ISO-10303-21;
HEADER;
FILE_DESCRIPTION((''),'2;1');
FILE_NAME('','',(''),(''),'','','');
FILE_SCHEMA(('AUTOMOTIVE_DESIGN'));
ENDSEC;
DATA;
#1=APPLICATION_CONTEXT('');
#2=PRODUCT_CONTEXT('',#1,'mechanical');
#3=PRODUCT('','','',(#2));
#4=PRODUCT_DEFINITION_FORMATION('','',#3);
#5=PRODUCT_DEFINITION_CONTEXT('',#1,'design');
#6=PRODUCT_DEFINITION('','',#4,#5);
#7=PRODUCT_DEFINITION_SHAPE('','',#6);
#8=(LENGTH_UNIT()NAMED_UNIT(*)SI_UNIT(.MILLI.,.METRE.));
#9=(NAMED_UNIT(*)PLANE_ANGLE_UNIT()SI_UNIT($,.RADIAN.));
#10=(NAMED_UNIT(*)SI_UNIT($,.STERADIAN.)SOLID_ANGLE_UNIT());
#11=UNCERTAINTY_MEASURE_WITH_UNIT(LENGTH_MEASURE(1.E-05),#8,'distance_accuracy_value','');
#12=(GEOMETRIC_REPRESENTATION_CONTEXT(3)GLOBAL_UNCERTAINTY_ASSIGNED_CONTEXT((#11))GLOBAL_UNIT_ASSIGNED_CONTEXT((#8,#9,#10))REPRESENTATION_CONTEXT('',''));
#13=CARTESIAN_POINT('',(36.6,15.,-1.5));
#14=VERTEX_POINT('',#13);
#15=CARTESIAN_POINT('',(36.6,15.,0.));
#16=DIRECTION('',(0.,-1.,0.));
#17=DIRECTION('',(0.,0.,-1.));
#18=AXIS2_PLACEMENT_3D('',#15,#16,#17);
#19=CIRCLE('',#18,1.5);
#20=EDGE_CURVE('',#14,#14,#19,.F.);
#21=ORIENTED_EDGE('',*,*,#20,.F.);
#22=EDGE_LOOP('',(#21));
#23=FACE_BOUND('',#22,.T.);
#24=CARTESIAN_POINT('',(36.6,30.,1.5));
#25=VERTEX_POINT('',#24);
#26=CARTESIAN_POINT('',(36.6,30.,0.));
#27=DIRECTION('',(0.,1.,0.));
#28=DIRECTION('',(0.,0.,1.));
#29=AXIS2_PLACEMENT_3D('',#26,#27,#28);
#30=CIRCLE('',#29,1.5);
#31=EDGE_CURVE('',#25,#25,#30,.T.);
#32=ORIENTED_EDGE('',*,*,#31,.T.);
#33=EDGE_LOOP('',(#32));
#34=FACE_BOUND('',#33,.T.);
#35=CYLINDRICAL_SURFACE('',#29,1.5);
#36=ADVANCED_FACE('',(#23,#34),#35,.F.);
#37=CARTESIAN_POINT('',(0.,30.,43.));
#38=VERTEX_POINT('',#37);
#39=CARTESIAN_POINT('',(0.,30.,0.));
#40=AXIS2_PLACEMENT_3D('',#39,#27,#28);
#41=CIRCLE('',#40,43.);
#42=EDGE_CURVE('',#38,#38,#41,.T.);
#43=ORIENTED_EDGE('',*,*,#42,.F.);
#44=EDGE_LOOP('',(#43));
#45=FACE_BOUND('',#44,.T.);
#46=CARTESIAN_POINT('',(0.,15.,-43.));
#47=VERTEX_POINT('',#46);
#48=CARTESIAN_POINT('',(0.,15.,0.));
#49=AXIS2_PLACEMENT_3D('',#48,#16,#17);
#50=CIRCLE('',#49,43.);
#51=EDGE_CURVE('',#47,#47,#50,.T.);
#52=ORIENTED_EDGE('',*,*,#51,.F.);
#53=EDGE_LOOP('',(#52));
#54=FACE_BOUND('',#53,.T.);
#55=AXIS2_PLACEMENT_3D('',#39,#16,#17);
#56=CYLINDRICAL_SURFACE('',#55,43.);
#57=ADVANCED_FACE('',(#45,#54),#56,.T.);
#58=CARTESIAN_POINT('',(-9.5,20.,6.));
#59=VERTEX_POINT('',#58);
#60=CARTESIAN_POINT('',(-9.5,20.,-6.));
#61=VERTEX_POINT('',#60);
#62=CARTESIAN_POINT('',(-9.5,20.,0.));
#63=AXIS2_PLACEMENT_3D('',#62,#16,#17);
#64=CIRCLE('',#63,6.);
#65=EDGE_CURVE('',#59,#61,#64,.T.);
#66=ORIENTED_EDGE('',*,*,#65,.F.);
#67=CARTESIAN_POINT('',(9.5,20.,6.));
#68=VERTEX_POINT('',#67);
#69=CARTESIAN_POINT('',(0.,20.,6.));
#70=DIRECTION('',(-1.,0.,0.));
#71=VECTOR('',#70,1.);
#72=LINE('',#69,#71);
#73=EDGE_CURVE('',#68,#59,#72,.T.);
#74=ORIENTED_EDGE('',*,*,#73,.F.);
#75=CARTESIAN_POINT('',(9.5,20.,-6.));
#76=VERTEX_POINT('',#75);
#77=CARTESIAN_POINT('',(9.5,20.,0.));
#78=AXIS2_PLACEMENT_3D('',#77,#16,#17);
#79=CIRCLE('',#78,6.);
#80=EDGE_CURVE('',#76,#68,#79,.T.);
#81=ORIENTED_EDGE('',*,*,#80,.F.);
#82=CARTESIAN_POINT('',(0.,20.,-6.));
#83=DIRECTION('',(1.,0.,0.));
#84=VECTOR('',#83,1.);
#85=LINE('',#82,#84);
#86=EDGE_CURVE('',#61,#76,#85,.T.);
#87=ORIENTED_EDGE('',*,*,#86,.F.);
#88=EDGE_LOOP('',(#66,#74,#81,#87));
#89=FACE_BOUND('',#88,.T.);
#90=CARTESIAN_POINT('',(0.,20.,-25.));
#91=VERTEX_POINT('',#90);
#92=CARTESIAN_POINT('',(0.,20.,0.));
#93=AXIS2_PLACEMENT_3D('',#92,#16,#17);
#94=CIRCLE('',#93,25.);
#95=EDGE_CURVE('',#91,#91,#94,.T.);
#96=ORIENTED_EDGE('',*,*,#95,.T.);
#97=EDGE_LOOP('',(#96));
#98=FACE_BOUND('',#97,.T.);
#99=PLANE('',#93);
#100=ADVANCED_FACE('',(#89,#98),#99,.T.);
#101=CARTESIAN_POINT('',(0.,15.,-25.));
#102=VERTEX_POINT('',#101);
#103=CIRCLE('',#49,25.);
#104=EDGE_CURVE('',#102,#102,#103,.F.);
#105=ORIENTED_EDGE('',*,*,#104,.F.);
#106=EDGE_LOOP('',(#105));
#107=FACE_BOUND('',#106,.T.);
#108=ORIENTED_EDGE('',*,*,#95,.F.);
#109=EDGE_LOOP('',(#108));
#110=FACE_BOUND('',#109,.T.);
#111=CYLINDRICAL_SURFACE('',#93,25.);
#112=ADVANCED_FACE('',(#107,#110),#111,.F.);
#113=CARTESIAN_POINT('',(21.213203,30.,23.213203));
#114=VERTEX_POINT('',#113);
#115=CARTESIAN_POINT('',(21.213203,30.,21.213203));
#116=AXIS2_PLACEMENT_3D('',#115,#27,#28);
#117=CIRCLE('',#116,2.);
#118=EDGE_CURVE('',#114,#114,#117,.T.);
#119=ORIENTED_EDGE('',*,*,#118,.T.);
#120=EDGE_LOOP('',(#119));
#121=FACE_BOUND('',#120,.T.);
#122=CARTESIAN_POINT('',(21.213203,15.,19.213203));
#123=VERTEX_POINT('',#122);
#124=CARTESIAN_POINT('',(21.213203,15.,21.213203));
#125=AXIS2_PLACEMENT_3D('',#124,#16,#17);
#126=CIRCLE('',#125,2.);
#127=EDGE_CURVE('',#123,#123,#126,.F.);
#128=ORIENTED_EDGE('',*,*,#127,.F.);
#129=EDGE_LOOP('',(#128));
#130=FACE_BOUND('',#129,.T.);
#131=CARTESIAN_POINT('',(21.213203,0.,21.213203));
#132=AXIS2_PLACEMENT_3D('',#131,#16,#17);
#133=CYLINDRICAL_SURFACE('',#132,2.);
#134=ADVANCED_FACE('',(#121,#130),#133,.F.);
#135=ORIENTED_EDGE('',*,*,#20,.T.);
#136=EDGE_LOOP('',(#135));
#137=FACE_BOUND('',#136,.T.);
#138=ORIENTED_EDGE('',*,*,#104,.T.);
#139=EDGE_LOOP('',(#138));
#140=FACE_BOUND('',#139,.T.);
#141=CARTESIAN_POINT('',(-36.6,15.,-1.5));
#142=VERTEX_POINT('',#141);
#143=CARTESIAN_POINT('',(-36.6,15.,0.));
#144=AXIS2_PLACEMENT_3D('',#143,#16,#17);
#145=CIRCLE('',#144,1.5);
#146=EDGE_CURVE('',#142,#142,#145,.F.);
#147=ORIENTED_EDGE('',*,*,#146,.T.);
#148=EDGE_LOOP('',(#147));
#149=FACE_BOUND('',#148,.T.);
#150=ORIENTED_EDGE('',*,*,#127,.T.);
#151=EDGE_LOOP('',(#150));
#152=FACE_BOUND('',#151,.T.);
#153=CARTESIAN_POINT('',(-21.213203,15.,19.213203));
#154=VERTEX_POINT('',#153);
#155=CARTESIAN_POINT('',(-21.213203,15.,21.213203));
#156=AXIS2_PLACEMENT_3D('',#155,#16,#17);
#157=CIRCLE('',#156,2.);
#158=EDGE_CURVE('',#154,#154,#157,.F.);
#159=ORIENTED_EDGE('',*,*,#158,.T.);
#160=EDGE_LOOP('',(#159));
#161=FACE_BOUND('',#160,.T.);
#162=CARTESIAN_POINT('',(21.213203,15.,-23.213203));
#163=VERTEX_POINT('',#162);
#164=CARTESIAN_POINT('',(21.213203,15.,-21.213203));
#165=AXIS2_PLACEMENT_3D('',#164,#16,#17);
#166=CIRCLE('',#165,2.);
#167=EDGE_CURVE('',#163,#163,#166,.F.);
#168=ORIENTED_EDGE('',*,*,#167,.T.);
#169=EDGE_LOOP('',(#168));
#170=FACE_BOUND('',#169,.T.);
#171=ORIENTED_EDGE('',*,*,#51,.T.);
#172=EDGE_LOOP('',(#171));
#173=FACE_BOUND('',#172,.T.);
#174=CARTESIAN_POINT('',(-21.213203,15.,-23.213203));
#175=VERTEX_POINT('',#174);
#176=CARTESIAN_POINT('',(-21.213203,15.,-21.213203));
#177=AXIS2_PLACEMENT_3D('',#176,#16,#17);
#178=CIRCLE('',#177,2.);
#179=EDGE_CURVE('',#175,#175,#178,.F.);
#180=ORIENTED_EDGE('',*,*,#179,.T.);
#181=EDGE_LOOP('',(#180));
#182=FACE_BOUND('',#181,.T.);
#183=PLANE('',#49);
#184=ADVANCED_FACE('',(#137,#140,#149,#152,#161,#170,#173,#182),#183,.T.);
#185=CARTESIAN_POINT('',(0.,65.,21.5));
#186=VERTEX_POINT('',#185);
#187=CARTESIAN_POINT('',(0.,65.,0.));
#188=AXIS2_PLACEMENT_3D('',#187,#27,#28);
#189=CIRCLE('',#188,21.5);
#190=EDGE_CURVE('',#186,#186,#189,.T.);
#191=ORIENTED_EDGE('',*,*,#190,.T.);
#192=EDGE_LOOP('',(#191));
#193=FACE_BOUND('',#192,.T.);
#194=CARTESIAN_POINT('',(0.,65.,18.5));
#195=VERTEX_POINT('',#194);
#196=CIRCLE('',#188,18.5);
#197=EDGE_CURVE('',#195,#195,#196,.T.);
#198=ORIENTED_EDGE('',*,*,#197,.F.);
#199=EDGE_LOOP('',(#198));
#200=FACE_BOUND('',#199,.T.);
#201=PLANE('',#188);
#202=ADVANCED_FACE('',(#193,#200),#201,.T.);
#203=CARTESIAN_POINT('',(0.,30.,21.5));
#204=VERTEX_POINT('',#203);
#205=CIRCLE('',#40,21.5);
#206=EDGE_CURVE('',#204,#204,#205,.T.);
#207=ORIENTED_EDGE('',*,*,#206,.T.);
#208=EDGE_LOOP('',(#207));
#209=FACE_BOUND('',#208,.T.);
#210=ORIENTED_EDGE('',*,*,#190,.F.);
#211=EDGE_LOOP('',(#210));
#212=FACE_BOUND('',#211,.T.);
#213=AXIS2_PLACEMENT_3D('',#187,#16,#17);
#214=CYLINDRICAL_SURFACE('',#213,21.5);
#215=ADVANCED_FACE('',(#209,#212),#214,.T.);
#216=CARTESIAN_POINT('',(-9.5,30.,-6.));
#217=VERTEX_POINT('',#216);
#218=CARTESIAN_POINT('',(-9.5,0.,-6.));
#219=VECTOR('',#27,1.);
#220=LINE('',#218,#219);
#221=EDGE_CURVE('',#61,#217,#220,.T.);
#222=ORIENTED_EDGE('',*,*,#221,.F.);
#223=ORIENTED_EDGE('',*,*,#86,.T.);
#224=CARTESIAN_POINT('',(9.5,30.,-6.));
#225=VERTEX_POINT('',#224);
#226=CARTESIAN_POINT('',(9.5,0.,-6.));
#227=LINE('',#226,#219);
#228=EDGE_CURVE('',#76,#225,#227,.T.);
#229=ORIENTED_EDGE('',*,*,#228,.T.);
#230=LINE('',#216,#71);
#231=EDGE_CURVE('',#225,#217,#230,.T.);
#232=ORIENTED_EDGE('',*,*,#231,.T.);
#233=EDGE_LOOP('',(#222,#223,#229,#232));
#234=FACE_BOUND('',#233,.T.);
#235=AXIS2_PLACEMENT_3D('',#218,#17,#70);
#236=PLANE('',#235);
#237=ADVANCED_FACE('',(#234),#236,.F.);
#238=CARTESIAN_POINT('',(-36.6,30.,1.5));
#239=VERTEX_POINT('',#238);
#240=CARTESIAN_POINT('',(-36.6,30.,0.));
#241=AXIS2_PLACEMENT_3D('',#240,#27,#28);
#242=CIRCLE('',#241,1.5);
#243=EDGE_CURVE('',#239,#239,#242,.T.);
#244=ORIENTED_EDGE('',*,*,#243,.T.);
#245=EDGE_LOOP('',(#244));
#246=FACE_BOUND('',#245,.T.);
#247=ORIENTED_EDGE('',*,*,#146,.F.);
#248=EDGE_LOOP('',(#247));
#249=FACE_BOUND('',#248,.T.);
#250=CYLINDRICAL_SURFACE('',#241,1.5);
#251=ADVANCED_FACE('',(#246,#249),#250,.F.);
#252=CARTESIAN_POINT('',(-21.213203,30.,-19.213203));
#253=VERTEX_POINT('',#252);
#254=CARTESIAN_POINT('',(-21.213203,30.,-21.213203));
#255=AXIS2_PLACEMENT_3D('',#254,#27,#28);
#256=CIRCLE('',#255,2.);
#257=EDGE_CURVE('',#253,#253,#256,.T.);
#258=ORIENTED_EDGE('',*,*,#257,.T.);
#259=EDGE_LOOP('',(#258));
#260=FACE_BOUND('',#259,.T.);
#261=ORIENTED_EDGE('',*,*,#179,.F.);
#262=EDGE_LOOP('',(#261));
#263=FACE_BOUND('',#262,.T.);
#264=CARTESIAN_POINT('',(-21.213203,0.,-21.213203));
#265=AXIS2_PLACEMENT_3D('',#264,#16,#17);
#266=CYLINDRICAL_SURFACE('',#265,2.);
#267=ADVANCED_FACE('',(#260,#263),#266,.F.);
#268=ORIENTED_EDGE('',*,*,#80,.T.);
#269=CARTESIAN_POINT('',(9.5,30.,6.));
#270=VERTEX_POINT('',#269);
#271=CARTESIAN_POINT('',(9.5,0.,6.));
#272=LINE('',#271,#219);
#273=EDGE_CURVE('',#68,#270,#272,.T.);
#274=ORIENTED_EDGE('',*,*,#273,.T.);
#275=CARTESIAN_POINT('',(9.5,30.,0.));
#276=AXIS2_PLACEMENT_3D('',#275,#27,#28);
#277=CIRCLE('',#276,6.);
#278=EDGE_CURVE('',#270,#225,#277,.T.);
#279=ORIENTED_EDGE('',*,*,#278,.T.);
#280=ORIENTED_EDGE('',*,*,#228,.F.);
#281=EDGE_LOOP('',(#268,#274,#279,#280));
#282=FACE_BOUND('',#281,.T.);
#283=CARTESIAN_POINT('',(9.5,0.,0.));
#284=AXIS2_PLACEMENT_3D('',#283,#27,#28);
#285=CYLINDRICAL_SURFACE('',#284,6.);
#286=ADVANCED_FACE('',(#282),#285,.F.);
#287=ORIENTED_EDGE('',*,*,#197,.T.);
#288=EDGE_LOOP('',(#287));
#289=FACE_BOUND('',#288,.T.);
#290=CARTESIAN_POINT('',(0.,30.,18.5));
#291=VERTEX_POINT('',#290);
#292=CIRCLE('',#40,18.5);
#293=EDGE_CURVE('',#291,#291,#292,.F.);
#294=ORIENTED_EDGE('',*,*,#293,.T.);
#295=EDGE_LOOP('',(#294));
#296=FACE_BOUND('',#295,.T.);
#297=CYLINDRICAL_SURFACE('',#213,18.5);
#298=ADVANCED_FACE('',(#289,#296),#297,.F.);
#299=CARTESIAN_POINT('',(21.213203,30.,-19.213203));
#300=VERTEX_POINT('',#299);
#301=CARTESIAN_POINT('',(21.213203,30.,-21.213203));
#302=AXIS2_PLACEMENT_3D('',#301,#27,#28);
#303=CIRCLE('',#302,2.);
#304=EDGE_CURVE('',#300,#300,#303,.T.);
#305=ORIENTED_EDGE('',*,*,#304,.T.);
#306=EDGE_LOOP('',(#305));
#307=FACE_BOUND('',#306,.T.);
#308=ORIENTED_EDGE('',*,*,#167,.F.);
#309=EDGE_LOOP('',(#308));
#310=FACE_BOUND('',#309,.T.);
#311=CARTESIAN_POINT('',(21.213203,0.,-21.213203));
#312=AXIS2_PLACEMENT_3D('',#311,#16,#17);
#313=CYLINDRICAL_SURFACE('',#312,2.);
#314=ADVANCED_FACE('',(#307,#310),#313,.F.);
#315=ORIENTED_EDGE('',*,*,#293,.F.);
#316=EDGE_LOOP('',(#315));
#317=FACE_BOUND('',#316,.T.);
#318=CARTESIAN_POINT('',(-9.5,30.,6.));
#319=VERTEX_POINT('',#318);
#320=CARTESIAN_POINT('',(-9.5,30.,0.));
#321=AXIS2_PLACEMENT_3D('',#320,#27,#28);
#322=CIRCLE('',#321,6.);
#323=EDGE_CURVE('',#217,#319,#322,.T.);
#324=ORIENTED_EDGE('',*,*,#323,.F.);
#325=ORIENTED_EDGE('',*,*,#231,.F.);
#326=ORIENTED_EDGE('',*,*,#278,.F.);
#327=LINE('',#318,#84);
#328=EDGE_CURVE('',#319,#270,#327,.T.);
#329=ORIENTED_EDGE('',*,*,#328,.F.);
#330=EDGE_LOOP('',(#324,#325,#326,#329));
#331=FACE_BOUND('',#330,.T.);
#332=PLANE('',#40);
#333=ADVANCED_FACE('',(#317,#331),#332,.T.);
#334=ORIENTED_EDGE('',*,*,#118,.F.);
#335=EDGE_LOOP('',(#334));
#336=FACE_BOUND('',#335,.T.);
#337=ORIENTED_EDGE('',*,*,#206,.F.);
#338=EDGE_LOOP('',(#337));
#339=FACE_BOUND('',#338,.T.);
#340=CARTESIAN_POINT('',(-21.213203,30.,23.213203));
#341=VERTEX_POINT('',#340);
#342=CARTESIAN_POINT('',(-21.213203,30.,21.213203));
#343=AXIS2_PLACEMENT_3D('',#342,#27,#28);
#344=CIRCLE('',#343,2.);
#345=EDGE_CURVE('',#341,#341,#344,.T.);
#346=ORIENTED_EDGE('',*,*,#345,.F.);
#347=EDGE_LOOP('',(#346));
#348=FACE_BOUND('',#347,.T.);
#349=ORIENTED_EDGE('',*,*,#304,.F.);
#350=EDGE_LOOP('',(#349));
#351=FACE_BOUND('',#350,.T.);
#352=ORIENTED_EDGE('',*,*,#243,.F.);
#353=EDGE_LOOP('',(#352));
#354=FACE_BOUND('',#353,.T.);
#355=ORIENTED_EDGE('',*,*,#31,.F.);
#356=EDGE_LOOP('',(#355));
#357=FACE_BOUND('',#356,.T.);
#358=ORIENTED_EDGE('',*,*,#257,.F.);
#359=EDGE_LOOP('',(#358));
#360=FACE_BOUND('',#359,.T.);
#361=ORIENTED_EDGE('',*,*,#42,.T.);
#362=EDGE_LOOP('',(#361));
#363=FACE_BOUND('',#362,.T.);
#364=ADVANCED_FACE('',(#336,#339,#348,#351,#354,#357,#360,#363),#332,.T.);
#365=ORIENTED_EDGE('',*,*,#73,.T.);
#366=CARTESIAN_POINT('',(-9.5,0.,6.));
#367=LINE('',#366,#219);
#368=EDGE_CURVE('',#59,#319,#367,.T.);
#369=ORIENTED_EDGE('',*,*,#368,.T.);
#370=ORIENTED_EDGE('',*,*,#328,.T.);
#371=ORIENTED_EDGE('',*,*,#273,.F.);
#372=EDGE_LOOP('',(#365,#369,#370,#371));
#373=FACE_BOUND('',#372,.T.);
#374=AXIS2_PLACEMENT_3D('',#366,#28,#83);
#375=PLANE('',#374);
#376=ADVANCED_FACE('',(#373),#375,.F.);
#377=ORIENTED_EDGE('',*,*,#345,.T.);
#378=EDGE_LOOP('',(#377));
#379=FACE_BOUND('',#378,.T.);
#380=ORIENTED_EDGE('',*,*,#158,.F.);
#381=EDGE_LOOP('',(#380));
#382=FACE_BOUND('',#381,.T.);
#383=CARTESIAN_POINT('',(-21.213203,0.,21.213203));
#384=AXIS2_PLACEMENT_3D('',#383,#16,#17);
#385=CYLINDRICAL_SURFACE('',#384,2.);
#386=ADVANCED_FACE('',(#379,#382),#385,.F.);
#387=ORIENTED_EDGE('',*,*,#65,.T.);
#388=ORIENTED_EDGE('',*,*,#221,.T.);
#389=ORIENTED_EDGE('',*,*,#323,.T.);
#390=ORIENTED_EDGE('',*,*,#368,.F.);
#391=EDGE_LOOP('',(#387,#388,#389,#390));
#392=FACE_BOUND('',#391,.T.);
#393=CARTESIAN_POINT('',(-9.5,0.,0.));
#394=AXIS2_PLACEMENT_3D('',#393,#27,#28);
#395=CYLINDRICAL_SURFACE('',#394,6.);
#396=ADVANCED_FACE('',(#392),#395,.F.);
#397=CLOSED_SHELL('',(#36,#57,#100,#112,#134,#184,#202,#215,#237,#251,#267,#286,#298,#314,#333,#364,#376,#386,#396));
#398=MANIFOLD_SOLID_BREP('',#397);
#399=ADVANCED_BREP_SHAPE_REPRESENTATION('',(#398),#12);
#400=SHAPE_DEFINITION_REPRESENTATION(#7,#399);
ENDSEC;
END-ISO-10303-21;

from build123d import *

# Parameters (mm, degrees)
SKETCH1_R             = 43
BOSS_EXTRUDE1_DEPTH   = 30
SKETCH6_R             = 25
CUT_EXTRUDE4_DEPTH    = 20
SKETCH10_R            = 21.5
SKETCH10_R_2          = 18.5
BOSS_EXTRUDE2_DEPTH   = 35
CUT_EXTRUDE6_DEPTH    = 31
F_3_0MM_DOWEL_HOLE1_D = 3
F_4_0MM_DOWEL_HOLE2_D = 4
SKETCH27_R            = 51.993622625
CUT_EXTRUDE7_DEPTH    = 15


with BuildPart() as part:
    # Sketch1 → Boss-Extrude1 (new body)
    with BuildSketch(Plane(origin=(0, 0, 0), x_dir=(1, 0, 0), z_dir=(0, 1, 0))):
        Circle(SKETCH1_R)
    extrude(amount=BOSS_EXTRUDE1_DEPTH)

    # Sketch6 → Cut-Extrude4 (cut)
    with BuildSketch(Plane.XZ):
        Circle(SKETCH6_R)
    extrude(amount=-CUT_EXTRUDE4_DEPTH, mode=Mode.SUBTRACT)

    # Sketch10 → Boss-Extrude2 (add)
    with BuildSketch(Plane(origin=(0, 30, 0), x_dir=(1, 0, 0), z_dir=(0, 1, 0))):
        Circle(SKETCH10_R)
        Circle(SKETCH10_R_2, mode=Mode.SUBTRACT)
    extrude(amount=BOSS_EXTRUDE2_DEPTH)

    # Sketch12 → Cut-Extrude6 (cut, through all)
    with BuildSketch(Plane(origin=(0, 30, 0), x_dir=(1, 0, 0), z_dir=(0, 1, 0))):
        with BuildLine():
            Line((-9.5, 6), (9.5, 6))
            ThreePointArc((9.5, 6), (15.5, 0), (9.5, -6))
            Line((9.5, -6), (-9.5, -6))
            ThreePointArc((-9.5, -6), (-15.5, 0), (-9.5, 6))
        make_face()
    extrude(amount=-CUT_EXTRUDE6_DEPTH, mode=Mode.SUBTRACT)

    # Ø3.0mm Dowel Hole1 (through all)
    with Locations(Plane(origin=(0, 30, 0), x_dir=(1, 0, 0), z_dir=(0, 1, 0))):
        with Locations((-36.6, 0), (36.6, 0)):
            Hole(F_3_0MM_DOWEL_HOLE1_D / 2)

    # Ø4.0mm Dowel Hole2 (through all)
    with Locations(Plane(origin=(0, 0, 0), x_dir=(-1, 0, 0), z_dir=(0, -1, 0))):
        with Locations((-21.213203436, -21.213203436), (21.213203436, -21.213203436), (-21.213203436, 21.213203436), (21.213203436, 21.213203436)):
            Hole(F_4_0MM_DOWEL_HOLE2_D / 2)

    # Sketch27 → Cut-Extrude7 (cut)
    with BuildSketch(Plane.XZ):
        Circle(SKETCH27_R)
    extrude(amount=-CUT_EXTRUDE7_DEPTH, mode=Mode.SUBTRACT)


solid = part.part
